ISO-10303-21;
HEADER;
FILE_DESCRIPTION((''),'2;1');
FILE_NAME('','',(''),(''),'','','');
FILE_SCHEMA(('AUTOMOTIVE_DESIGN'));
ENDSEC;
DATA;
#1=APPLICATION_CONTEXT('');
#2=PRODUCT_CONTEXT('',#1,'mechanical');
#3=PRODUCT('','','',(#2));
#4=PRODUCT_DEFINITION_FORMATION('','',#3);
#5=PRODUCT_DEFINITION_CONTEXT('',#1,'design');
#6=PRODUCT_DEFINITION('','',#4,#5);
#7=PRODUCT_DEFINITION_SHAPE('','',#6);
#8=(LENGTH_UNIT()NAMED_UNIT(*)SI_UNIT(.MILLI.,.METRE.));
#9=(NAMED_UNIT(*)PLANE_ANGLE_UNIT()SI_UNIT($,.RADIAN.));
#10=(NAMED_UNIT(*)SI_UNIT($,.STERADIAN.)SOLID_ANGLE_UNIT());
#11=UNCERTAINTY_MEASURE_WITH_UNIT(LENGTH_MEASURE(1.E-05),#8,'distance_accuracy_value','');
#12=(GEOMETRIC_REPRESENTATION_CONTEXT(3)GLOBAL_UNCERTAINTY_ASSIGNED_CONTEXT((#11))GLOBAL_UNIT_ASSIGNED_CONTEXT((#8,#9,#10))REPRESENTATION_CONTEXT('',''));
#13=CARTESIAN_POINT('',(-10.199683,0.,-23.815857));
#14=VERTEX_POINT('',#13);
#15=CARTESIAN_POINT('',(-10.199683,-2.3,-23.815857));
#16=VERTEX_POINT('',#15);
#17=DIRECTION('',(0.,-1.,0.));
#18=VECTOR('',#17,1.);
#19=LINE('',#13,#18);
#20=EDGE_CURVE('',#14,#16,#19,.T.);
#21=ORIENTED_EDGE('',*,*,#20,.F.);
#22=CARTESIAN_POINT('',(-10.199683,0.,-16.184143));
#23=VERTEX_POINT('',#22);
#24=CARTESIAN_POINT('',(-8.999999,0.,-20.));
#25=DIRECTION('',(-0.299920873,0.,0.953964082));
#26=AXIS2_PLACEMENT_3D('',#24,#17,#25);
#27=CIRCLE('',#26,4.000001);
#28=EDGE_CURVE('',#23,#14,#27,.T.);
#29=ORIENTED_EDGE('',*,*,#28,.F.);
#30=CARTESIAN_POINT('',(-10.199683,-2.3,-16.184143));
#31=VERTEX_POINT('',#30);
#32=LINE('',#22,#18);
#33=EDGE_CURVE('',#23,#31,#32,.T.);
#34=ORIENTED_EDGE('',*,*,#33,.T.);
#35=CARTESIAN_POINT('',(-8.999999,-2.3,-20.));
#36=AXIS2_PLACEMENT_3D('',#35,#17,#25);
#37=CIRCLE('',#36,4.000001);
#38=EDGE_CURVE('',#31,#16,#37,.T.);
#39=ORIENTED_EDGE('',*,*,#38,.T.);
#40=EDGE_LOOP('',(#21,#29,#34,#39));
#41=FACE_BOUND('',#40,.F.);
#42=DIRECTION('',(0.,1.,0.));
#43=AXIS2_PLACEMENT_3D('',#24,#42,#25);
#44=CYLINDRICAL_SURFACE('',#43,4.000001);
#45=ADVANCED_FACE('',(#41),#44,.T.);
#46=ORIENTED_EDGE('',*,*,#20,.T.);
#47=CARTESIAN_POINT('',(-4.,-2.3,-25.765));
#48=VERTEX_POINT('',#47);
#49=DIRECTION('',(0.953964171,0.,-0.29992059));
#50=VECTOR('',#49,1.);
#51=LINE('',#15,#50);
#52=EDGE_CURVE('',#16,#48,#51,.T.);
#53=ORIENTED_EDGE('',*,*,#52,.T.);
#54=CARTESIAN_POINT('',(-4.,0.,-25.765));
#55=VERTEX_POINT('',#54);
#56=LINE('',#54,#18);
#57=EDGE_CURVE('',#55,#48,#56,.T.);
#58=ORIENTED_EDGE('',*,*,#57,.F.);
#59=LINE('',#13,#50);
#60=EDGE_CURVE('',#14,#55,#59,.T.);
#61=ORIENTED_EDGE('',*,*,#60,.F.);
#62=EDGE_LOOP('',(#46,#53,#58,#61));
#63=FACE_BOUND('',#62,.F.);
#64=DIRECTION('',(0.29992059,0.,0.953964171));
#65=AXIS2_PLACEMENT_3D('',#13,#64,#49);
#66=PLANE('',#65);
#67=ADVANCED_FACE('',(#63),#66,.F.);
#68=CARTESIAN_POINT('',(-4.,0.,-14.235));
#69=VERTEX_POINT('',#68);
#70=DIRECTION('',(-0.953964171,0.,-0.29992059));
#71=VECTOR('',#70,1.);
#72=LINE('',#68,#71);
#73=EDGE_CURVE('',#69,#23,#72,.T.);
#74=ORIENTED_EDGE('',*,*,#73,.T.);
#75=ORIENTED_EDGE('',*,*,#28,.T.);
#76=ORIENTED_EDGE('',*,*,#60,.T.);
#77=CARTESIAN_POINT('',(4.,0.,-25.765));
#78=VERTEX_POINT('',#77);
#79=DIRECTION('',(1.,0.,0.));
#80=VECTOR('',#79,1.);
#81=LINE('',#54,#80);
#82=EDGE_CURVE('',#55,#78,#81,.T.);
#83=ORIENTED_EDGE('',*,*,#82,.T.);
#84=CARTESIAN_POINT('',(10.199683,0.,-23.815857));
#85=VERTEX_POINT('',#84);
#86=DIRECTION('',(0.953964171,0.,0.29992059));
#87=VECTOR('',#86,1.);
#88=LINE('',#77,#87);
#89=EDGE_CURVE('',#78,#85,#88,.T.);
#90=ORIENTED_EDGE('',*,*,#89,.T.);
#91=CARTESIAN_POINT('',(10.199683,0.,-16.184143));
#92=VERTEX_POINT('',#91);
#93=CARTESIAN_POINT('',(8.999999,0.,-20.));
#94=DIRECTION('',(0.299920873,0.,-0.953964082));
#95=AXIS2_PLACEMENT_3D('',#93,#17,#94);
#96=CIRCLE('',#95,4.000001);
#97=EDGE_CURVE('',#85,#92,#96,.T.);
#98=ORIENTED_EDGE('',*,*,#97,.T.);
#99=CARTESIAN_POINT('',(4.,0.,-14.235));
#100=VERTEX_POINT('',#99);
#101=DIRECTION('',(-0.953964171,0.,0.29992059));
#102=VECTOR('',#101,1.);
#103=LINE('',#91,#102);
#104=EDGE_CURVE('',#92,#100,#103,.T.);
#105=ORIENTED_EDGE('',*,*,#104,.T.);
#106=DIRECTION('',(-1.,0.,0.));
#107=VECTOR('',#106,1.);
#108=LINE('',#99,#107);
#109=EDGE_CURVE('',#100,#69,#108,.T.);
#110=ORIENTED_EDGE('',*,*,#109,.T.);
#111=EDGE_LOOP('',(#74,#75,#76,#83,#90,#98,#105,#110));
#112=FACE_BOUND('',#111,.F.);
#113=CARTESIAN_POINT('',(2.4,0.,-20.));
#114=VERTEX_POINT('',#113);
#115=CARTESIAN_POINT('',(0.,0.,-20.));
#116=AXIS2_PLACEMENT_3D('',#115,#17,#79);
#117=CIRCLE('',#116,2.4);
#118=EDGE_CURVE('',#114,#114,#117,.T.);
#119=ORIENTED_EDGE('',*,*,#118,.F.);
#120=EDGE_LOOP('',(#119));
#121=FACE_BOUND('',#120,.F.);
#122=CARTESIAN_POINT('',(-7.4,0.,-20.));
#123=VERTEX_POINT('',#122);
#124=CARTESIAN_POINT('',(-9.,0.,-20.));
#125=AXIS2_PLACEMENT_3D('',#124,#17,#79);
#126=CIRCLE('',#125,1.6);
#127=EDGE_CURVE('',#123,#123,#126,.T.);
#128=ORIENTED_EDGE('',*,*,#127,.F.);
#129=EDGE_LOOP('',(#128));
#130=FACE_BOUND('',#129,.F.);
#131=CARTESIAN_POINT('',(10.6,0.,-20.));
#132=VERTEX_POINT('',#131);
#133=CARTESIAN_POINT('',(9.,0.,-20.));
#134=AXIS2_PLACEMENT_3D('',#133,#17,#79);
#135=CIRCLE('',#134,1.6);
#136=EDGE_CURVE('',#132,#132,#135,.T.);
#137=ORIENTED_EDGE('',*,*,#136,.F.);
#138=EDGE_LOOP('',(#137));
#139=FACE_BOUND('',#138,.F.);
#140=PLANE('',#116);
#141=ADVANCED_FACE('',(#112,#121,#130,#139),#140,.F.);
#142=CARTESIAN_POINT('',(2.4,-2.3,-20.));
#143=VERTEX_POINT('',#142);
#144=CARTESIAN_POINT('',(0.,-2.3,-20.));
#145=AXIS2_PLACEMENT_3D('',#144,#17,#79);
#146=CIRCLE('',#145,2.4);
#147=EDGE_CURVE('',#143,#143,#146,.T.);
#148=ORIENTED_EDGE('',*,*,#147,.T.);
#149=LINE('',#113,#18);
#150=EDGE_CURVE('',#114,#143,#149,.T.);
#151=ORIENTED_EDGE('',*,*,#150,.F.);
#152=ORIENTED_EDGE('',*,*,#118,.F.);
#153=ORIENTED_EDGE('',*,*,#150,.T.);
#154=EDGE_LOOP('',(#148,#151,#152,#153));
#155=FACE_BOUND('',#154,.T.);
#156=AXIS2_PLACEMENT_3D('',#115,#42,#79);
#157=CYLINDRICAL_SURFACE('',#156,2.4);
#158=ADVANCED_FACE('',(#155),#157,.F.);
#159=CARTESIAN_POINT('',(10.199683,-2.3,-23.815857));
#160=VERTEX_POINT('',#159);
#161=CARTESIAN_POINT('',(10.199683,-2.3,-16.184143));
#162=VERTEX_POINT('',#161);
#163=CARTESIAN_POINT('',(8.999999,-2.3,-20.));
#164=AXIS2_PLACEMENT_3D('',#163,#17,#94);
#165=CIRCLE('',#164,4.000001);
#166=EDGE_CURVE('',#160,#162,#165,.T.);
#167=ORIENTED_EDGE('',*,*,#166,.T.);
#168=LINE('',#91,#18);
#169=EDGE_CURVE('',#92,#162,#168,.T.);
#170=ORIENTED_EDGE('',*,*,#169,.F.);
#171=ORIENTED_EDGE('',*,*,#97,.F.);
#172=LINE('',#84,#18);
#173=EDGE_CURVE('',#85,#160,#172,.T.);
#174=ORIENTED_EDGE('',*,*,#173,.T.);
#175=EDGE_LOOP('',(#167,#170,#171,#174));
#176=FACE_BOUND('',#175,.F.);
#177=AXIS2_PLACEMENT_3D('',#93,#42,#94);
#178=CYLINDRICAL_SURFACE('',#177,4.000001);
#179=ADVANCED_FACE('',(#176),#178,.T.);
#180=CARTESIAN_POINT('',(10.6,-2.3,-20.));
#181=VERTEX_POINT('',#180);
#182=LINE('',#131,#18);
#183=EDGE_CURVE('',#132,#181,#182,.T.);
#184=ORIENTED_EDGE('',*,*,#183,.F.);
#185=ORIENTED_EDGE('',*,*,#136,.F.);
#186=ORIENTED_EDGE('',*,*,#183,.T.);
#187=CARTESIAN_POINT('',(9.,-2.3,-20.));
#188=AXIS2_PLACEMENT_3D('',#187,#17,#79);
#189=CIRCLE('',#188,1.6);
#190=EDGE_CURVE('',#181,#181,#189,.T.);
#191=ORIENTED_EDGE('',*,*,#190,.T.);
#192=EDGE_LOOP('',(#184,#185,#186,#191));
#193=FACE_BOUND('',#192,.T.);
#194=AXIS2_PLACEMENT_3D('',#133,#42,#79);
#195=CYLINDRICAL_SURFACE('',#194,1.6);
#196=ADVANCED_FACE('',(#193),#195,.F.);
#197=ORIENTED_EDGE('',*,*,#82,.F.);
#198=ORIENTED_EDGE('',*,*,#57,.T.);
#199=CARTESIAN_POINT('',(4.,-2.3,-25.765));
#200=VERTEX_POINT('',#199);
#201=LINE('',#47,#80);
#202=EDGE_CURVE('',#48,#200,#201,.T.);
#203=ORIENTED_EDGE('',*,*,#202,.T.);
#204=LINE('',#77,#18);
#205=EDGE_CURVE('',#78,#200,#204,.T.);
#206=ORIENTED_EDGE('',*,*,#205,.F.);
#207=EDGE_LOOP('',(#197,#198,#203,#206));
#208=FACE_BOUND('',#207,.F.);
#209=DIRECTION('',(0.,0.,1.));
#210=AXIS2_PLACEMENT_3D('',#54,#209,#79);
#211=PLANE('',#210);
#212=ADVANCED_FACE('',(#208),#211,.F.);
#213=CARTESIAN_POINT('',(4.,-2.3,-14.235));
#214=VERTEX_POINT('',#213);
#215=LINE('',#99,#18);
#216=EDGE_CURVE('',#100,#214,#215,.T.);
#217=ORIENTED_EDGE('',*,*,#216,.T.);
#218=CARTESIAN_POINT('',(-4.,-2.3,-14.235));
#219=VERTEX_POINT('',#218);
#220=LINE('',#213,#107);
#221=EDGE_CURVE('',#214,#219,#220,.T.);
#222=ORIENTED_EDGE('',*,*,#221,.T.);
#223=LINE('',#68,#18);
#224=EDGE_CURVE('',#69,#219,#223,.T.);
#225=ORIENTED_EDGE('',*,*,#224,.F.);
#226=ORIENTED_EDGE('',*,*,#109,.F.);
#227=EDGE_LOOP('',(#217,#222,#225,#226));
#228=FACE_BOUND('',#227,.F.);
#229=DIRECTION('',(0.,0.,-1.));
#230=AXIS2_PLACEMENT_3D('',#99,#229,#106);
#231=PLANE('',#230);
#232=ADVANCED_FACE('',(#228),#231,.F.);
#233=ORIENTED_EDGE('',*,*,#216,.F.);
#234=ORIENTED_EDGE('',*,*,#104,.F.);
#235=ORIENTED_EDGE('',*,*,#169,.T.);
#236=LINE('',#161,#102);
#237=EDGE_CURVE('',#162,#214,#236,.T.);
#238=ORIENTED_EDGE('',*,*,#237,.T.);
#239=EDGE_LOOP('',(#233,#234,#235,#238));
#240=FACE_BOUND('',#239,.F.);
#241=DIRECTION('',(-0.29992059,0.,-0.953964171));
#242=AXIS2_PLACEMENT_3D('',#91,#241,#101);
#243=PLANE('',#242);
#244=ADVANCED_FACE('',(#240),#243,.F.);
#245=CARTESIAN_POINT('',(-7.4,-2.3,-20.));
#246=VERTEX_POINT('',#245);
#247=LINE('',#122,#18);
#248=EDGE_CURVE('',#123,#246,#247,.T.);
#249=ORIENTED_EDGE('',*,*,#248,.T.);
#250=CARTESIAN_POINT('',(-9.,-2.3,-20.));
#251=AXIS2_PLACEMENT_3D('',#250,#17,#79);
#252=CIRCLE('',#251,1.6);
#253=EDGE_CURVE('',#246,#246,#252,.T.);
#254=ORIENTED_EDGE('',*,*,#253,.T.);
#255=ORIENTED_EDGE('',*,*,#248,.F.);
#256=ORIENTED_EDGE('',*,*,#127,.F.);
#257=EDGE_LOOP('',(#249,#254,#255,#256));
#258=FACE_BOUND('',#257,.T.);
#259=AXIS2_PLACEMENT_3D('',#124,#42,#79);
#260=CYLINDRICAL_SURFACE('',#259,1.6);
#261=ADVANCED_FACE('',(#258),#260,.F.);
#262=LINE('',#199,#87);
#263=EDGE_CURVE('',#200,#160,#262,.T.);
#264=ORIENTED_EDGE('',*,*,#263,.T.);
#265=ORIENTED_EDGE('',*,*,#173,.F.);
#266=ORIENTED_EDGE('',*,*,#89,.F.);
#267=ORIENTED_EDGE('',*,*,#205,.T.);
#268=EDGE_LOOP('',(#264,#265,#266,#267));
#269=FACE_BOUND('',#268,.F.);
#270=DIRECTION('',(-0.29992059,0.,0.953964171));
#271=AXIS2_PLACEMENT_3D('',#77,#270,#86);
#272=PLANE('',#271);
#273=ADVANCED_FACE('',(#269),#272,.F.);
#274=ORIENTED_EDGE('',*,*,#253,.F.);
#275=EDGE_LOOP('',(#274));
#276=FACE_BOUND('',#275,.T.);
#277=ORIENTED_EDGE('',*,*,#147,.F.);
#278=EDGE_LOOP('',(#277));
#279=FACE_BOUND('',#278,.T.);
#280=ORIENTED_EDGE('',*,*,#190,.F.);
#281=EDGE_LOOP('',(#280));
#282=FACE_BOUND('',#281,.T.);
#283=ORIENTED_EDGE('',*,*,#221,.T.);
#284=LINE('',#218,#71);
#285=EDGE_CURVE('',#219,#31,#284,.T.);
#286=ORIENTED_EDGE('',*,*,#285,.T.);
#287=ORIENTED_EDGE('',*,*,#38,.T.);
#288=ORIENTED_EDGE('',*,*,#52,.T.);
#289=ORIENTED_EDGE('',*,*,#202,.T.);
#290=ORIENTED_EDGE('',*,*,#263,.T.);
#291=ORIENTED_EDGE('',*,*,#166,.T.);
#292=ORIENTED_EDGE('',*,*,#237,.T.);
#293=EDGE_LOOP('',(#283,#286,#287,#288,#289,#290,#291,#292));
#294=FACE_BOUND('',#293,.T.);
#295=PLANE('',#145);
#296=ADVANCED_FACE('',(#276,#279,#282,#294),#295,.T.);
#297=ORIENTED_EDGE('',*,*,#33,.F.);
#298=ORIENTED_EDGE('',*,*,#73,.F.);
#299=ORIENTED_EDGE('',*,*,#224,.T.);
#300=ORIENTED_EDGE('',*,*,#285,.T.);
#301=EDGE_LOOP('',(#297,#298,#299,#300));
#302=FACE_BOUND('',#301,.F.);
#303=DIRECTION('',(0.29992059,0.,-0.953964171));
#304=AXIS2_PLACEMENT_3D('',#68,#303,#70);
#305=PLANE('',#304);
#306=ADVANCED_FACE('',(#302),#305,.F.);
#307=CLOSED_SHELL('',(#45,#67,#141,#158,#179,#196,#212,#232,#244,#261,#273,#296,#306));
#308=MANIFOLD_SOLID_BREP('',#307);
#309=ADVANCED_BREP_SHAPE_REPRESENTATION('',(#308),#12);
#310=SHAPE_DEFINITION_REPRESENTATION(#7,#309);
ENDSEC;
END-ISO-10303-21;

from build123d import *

# Parameters (mm, degrees)
F0_R     = 1.6
F0_R_2   = 2.4
F1_DEPTH = 2.3


with BuildPart() as f1:
    # F0 (on Front) → F1 (new body)
    with BuildSketch(Plane.XZ):
        with BuildLine():
            ThreePointArc((10.199683, -23.815857), (13, -20), (10.199683, -16.184143))
            Line((10.199683, -16.184143), (4, -14.235))
            Line((4, -14.235), (0, -14.235))
            Line((0, -14.235), (-4, -14.235))
            Line((-4, -14.235), (-10.199683, -16.184143))
            ThreePointArc((-10.199683, -16.184143), (-13, -20), (-10.199683, -23.815857))
            Line((-10.199683, -23.815857), (-4, -25.765))
            Line((-4, -25.765), (4, -25.765))
            Line((4, -25.765), (10.199683, -23.815857))
        make_face()
        with Locations((-9, -20)):
            Circle(F0_R, mode=Mode.SUBTRACT)
        with Locations((0, -20)):
            Circle(F0_R_2, mode=Mode.SUBTRACT)
        with Locations((9, -20)):
            Circle(F0_R, mode=Mode.SUBTRACT)
    extrude(amount=F1_DEPTH)


solid = f1.part
